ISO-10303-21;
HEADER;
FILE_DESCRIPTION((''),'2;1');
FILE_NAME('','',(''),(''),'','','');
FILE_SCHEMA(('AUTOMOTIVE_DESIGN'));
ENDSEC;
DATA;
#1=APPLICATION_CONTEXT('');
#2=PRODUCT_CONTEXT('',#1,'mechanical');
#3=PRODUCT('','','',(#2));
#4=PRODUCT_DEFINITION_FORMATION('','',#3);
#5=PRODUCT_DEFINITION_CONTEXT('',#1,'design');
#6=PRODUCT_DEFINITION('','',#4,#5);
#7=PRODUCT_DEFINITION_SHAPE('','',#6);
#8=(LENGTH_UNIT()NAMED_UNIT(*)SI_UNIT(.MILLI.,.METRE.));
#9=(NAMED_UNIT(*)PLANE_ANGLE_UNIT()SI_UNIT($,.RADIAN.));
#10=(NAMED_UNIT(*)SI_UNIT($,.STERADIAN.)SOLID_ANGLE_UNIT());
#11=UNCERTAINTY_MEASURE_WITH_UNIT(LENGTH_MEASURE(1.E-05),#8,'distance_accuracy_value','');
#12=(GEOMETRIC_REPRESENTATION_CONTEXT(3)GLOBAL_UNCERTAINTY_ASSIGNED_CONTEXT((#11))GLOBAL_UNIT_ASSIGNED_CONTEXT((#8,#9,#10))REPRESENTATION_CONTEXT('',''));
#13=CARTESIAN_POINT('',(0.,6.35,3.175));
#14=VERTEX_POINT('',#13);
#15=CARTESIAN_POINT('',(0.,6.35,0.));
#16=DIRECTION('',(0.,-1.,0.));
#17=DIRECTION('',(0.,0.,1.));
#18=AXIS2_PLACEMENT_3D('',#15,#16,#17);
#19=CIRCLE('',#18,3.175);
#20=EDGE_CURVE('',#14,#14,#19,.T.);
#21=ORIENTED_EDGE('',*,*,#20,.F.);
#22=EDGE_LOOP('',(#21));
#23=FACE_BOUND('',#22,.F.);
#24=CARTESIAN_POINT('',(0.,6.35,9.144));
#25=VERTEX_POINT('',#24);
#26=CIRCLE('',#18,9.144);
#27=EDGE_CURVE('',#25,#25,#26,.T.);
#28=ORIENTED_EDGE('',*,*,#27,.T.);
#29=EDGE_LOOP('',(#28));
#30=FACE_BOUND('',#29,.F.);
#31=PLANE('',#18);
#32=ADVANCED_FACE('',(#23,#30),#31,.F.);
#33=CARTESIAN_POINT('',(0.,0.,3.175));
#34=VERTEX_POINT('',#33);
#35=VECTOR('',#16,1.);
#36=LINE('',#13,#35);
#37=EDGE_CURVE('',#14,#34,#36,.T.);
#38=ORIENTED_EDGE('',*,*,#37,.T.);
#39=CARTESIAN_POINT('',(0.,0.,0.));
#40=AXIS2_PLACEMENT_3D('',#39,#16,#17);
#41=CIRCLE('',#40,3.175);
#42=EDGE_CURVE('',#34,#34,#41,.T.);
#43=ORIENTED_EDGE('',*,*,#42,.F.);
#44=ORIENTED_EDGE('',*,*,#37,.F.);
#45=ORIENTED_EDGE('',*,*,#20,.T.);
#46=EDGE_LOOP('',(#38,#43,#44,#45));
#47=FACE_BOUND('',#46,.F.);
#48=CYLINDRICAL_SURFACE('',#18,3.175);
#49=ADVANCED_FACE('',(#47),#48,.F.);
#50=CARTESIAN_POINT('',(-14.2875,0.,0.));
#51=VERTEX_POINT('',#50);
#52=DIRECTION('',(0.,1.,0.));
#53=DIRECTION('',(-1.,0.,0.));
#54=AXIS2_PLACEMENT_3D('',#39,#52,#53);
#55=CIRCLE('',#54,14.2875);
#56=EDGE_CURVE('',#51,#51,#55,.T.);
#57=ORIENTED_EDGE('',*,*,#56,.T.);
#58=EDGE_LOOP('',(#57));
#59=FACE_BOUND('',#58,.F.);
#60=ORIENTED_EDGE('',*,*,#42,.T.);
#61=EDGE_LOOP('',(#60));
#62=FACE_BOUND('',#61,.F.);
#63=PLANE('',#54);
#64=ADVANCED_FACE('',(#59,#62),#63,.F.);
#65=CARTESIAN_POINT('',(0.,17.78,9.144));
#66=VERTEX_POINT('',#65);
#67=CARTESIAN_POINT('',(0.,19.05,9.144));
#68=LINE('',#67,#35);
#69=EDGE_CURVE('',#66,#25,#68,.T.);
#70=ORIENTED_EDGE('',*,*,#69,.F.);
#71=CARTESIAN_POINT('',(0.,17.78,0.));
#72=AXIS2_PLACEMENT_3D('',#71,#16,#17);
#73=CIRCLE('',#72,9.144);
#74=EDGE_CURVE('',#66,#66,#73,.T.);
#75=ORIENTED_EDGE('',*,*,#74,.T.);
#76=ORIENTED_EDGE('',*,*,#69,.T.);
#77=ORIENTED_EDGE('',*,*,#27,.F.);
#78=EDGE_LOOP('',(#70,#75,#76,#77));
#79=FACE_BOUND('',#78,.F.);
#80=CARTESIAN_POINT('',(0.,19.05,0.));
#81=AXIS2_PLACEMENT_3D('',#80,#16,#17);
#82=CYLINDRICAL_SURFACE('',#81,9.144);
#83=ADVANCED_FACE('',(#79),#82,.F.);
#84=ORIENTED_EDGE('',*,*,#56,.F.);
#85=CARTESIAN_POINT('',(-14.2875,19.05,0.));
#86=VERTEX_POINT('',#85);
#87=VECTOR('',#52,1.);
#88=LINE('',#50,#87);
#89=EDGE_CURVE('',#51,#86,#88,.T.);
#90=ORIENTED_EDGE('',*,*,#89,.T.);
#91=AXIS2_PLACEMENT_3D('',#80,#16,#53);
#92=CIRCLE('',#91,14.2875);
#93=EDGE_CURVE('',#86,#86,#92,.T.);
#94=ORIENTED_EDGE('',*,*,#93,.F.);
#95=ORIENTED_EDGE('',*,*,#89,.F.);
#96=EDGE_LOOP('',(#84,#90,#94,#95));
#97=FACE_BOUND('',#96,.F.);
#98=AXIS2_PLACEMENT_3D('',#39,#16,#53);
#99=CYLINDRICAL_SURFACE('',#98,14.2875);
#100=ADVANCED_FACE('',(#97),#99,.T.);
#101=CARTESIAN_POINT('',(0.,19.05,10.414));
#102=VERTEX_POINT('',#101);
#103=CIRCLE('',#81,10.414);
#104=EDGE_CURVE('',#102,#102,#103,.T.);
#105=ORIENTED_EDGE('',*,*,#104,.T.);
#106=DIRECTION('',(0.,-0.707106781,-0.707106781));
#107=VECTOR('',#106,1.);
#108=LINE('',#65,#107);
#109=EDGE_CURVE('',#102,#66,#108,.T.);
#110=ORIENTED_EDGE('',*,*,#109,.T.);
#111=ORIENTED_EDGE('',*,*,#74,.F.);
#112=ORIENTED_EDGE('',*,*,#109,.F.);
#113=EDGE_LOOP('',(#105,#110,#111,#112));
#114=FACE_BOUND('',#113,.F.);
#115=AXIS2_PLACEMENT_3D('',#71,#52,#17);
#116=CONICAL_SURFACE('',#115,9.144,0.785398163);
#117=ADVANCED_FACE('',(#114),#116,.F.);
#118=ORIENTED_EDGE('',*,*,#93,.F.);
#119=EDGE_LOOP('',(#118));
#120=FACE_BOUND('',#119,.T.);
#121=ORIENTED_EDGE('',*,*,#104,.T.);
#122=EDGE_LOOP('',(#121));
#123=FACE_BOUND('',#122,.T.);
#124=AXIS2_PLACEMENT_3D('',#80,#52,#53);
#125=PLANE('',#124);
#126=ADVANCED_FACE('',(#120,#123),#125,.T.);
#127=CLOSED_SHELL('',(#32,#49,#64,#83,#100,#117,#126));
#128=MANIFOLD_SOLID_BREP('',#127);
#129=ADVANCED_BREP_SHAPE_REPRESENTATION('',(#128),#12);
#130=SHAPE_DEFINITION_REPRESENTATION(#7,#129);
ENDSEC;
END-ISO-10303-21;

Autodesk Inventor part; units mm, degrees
ref_plane "YZ Plane" through (0, 0, 0) normal (1, 0, 0) x (0, 1, 0)
ref_plane "XZ Plane" through (0, 0, 0) normal (0, 1, 0) x (-1, 0, 0)
ref_plane "XY Plane" through (0, 0, 0) normal (0, 0, 1) x (1, 0, 0)
sketch "Sketch1" plane through (0, 0, 0) normal (0, 1, 0) x (-1, 0, 0)
  line L0 (0, -20.0025) -> (0, 20.0025) projected
  line L1 (-20.0025, 0) -> (20.0025, 0) projected
  circle A0 centre (0, 0) radius 14.2875
  dimension "d0" = 28.575
extrude "Extrusion1" add sketch "Sketch1" along normal blind 19.05
sketch "Sketch2" plane through (0, 19.05, 0) normal (0, 1, 0) x (1, 0, 0)
  line L0 (0, 20.0025) -> (0, -20.0025) projected
  line L1 (20.0025, 0) -> (-20.0025, 0) projected
  point P0 (0, 0)
sketch "Sketch3" plane through (0, 19.05, 0) normal (0, 1, 0) x (1, 0, 0)
  point P0 (0, 0)
hole "Hole1" at (0, 19.05, 0) direction (0, -1, 0) diameter 6.35 end through all counterbore diameter 18.288 counterbore depth 12.7
chamfer "Chamfer1" distance 1.27 angle 45 1 edges at (0, 19.05, -9.144)
properties material "ABS, BEIGE"
